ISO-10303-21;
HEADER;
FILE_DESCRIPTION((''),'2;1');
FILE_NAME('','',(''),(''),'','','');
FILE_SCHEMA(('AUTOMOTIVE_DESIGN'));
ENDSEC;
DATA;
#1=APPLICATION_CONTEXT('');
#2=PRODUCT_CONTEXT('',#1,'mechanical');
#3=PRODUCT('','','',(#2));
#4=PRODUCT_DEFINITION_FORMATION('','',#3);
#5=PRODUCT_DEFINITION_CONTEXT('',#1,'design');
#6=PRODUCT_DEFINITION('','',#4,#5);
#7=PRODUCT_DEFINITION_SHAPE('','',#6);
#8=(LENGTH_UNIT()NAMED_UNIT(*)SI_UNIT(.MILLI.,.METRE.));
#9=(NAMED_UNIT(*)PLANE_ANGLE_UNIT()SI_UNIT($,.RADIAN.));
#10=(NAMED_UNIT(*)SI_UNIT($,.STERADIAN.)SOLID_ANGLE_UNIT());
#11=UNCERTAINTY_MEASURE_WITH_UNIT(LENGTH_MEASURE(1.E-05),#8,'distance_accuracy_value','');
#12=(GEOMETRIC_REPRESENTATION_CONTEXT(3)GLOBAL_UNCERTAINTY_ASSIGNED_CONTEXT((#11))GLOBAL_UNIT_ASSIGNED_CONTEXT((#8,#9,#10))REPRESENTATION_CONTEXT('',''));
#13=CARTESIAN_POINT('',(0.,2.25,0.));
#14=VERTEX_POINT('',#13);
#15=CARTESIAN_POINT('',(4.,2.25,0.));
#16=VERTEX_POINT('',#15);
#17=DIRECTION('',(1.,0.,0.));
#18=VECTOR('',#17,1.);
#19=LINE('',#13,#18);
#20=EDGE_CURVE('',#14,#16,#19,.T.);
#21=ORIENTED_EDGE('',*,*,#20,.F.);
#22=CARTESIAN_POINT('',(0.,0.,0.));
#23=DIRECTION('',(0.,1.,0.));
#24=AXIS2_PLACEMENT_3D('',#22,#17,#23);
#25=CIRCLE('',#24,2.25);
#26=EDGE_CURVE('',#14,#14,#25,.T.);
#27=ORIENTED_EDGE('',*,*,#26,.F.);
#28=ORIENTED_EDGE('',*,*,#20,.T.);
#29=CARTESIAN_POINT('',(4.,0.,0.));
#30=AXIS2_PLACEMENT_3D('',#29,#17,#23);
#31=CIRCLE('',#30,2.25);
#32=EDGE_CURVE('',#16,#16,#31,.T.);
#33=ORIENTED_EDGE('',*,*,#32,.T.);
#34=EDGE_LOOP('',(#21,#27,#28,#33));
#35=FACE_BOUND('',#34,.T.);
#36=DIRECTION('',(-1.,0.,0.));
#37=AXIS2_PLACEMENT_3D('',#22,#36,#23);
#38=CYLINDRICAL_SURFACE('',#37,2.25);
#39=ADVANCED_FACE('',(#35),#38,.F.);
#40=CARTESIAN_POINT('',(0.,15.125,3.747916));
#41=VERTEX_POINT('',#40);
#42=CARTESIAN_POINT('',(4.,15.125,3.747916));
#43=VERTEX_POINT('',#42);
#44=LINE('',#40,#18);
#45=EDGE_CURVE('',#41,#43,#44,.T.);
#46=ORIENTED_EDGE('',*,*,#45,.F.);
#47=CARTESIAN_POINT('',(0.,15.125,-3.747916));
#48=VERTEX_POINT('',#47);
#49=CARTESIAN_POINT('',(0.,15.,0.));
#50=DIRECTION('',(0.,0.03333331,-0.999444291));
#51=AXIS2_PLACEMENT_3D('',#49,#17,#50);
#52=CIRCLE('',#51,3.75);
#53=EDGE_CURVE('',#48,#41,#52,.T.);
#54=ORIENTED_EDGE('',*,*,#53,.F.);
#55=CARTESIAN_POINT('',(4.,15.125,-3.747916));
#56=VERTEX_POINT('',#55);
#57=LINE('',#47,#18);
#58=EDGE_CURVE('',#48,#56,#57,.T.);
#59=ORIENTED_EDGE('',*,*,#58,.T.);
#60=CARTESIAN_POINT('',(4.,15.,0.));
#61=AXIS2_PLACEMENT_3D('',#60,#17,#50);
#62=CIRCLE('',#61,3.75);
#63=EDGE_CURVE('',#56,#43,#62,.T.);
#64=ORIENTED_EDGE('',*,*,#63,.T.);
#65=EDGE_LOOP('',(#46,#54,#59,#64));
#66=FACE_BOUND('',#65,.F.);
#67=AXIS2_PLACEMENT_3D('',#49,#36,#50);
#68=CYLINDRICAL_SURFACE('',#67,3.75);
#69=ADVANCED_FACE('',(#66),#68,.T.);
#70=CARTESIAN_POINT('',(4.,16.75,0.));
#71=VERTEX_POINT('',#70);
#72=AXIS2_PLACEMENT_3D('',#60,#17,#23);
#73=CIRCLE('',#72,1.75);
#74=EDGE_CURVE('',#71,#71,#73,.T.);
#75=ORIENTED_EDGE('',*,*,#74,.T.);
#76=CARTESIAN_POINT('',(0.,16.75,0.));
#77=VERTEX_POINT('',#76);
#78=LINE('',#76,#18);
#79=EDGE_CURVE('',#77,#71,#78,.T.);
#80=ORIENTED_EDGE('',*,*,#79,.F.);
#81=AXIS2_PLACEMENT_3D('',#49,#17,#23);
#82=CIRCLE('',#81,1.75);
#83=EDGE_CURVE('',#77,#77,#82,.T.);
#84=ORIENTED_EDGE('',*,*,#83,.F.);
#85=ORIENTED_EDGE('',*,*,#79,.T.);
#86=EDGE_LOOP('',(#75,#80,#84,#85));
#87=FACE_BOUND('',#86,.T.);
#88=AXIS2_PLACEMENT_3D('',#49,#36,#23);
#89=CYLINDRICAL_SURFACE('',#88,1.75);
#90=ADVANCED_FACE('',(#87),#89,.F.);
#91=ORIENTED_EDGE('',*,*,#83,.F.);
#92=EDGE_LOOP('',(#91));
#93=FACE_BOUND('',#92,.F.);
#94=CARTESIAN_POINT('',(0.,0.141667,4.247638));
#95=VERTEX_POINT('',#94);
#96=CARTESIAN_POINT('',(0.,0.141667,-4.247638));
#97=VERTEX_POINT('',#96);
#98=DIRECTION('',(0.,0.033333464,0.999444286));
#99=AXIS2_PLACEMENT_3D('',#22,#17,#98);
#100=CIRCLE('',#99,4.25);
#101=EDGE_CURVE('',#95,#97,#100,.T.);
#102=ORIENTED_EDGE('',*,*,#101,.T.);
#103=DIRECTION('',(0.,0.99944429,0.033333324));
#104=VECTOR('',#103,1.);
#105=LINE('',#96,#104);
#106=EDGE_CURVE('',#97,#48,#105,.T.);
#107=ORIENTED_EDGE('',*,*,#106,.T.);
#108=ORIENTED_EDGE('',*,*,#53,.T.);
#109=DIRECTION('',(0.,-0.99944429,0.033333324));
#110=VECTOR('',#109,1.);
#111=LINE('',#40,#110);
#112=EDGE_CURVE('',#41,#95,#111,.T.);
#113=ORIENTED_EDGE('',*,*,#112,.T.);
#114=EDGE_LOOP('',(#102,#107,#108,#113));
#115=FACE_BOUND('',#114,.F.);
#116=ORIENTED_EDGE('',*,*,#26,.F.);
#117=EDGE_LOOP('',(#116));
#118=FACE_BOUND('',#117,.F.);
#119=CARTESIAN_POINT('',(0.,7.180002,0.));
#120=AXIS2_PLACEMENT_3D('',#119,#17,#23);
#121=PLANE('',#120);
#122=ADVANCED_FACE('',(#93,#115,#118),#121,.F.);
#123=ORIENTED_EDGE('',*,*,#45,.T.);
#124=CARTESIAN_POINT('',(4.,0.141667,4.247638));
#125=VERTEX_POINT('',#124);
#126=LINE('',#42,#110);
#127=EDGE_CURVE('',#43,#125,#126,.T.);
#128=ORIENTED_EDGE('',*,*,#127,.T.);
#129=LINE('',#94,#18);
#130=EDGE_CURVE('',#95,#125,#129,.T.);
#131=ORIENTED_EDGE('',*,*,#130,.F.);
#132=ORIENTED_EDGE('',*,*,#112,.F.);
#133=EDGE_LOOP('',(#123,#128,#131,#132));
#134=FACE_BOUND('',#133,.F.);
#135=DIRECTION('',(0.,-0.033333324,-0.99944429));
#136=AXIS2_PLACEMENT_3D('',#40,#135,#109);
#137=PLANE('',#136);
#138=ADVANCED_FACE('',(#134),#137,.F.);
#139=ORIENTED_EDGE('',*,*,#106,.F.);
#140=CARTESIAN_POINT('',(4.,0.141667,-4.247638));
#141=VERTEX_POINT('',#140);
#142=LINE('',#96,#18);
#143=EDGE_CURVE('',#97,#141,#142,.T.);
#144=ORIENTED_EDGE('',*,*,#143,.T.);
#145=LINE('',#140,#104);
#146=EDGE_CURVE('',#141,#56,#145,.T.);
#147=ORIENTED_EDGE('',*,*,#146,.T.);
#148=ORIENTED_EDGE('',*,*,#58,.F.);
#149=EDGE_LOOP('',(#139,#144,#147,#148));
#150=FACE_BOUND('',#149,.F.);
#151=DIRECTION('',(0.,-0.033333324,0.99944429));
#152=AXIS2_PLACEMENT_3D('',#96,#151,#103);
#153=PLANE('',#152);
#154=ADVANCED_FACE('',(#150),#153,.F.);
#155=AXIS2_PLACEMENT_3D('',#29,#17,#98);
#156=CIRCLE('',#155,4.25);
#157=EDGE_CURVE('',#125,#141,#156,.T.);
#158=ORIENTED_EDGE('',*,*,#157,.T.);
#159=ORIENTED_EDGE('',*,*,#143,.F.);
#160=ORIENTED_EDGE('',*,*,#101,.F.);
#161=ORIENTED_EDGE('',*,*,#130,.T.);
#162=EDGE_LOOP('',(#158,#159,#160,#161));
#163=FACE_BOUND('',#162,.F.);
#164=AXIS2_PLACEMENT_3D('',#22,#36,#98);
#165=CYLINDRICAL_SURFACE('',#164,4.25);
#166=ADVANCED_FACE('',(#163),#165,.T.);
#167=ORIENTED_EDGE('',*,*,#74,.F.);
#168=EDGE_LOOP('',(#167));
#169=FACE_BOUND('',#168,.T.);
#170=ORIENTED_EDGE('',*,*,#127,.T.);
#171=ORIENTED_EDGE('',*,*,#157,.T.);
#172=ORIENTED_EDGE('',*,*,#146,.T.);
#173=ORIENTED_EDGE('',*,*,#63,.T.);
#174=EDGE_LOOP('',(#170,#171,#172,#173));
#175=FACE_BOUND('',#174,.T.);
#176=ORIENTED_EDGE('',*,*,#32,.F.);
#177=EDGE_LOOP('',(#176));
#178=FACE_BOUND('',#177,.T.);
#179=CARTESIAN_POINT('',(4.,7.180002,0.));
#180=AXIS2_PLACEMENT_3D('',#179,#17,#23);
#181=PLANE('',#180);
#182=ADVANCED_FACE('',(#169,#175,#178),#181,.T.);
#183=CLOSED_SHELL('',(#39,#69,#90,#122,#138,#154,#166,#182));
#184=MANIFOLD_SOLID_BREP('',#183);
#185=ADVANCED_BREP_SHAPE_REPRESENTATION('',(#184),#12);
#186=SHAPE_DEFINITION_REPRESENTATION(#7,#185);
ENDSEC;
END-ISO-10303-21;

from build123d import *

# Parameters (mm, degrees)
F1_R     = 2.25
F1_R_2   = 1.75
F2_DEPTH = 4


with BuildPart() as f2:
    # F1 (on Right) → F2 (new body)
    with BuildSketch(Plane.YZ):
        with BuildLine():
            Line((15.125, 3.747916), (0.141667, 4.247638))
            ThreePointArc((0.141667, 4.247638), (-4.25, 0), (0.141667, -4.247638))
            Line((0.141667, -4.247638), (15.125, -3.747916))
            ThreePointArc((15.125, -3.747916), (18.75, 0), (15.125, 3.747916))
        make_face()
        Circle(F1_R, mode=Mode.SUBTRACT)
        with Locations((15, 0)):
            Circle(F1_R_2, mode=Mode.SUBTRACT)
    extrude(amount=F2_DEPTH)


solid = f2.part
